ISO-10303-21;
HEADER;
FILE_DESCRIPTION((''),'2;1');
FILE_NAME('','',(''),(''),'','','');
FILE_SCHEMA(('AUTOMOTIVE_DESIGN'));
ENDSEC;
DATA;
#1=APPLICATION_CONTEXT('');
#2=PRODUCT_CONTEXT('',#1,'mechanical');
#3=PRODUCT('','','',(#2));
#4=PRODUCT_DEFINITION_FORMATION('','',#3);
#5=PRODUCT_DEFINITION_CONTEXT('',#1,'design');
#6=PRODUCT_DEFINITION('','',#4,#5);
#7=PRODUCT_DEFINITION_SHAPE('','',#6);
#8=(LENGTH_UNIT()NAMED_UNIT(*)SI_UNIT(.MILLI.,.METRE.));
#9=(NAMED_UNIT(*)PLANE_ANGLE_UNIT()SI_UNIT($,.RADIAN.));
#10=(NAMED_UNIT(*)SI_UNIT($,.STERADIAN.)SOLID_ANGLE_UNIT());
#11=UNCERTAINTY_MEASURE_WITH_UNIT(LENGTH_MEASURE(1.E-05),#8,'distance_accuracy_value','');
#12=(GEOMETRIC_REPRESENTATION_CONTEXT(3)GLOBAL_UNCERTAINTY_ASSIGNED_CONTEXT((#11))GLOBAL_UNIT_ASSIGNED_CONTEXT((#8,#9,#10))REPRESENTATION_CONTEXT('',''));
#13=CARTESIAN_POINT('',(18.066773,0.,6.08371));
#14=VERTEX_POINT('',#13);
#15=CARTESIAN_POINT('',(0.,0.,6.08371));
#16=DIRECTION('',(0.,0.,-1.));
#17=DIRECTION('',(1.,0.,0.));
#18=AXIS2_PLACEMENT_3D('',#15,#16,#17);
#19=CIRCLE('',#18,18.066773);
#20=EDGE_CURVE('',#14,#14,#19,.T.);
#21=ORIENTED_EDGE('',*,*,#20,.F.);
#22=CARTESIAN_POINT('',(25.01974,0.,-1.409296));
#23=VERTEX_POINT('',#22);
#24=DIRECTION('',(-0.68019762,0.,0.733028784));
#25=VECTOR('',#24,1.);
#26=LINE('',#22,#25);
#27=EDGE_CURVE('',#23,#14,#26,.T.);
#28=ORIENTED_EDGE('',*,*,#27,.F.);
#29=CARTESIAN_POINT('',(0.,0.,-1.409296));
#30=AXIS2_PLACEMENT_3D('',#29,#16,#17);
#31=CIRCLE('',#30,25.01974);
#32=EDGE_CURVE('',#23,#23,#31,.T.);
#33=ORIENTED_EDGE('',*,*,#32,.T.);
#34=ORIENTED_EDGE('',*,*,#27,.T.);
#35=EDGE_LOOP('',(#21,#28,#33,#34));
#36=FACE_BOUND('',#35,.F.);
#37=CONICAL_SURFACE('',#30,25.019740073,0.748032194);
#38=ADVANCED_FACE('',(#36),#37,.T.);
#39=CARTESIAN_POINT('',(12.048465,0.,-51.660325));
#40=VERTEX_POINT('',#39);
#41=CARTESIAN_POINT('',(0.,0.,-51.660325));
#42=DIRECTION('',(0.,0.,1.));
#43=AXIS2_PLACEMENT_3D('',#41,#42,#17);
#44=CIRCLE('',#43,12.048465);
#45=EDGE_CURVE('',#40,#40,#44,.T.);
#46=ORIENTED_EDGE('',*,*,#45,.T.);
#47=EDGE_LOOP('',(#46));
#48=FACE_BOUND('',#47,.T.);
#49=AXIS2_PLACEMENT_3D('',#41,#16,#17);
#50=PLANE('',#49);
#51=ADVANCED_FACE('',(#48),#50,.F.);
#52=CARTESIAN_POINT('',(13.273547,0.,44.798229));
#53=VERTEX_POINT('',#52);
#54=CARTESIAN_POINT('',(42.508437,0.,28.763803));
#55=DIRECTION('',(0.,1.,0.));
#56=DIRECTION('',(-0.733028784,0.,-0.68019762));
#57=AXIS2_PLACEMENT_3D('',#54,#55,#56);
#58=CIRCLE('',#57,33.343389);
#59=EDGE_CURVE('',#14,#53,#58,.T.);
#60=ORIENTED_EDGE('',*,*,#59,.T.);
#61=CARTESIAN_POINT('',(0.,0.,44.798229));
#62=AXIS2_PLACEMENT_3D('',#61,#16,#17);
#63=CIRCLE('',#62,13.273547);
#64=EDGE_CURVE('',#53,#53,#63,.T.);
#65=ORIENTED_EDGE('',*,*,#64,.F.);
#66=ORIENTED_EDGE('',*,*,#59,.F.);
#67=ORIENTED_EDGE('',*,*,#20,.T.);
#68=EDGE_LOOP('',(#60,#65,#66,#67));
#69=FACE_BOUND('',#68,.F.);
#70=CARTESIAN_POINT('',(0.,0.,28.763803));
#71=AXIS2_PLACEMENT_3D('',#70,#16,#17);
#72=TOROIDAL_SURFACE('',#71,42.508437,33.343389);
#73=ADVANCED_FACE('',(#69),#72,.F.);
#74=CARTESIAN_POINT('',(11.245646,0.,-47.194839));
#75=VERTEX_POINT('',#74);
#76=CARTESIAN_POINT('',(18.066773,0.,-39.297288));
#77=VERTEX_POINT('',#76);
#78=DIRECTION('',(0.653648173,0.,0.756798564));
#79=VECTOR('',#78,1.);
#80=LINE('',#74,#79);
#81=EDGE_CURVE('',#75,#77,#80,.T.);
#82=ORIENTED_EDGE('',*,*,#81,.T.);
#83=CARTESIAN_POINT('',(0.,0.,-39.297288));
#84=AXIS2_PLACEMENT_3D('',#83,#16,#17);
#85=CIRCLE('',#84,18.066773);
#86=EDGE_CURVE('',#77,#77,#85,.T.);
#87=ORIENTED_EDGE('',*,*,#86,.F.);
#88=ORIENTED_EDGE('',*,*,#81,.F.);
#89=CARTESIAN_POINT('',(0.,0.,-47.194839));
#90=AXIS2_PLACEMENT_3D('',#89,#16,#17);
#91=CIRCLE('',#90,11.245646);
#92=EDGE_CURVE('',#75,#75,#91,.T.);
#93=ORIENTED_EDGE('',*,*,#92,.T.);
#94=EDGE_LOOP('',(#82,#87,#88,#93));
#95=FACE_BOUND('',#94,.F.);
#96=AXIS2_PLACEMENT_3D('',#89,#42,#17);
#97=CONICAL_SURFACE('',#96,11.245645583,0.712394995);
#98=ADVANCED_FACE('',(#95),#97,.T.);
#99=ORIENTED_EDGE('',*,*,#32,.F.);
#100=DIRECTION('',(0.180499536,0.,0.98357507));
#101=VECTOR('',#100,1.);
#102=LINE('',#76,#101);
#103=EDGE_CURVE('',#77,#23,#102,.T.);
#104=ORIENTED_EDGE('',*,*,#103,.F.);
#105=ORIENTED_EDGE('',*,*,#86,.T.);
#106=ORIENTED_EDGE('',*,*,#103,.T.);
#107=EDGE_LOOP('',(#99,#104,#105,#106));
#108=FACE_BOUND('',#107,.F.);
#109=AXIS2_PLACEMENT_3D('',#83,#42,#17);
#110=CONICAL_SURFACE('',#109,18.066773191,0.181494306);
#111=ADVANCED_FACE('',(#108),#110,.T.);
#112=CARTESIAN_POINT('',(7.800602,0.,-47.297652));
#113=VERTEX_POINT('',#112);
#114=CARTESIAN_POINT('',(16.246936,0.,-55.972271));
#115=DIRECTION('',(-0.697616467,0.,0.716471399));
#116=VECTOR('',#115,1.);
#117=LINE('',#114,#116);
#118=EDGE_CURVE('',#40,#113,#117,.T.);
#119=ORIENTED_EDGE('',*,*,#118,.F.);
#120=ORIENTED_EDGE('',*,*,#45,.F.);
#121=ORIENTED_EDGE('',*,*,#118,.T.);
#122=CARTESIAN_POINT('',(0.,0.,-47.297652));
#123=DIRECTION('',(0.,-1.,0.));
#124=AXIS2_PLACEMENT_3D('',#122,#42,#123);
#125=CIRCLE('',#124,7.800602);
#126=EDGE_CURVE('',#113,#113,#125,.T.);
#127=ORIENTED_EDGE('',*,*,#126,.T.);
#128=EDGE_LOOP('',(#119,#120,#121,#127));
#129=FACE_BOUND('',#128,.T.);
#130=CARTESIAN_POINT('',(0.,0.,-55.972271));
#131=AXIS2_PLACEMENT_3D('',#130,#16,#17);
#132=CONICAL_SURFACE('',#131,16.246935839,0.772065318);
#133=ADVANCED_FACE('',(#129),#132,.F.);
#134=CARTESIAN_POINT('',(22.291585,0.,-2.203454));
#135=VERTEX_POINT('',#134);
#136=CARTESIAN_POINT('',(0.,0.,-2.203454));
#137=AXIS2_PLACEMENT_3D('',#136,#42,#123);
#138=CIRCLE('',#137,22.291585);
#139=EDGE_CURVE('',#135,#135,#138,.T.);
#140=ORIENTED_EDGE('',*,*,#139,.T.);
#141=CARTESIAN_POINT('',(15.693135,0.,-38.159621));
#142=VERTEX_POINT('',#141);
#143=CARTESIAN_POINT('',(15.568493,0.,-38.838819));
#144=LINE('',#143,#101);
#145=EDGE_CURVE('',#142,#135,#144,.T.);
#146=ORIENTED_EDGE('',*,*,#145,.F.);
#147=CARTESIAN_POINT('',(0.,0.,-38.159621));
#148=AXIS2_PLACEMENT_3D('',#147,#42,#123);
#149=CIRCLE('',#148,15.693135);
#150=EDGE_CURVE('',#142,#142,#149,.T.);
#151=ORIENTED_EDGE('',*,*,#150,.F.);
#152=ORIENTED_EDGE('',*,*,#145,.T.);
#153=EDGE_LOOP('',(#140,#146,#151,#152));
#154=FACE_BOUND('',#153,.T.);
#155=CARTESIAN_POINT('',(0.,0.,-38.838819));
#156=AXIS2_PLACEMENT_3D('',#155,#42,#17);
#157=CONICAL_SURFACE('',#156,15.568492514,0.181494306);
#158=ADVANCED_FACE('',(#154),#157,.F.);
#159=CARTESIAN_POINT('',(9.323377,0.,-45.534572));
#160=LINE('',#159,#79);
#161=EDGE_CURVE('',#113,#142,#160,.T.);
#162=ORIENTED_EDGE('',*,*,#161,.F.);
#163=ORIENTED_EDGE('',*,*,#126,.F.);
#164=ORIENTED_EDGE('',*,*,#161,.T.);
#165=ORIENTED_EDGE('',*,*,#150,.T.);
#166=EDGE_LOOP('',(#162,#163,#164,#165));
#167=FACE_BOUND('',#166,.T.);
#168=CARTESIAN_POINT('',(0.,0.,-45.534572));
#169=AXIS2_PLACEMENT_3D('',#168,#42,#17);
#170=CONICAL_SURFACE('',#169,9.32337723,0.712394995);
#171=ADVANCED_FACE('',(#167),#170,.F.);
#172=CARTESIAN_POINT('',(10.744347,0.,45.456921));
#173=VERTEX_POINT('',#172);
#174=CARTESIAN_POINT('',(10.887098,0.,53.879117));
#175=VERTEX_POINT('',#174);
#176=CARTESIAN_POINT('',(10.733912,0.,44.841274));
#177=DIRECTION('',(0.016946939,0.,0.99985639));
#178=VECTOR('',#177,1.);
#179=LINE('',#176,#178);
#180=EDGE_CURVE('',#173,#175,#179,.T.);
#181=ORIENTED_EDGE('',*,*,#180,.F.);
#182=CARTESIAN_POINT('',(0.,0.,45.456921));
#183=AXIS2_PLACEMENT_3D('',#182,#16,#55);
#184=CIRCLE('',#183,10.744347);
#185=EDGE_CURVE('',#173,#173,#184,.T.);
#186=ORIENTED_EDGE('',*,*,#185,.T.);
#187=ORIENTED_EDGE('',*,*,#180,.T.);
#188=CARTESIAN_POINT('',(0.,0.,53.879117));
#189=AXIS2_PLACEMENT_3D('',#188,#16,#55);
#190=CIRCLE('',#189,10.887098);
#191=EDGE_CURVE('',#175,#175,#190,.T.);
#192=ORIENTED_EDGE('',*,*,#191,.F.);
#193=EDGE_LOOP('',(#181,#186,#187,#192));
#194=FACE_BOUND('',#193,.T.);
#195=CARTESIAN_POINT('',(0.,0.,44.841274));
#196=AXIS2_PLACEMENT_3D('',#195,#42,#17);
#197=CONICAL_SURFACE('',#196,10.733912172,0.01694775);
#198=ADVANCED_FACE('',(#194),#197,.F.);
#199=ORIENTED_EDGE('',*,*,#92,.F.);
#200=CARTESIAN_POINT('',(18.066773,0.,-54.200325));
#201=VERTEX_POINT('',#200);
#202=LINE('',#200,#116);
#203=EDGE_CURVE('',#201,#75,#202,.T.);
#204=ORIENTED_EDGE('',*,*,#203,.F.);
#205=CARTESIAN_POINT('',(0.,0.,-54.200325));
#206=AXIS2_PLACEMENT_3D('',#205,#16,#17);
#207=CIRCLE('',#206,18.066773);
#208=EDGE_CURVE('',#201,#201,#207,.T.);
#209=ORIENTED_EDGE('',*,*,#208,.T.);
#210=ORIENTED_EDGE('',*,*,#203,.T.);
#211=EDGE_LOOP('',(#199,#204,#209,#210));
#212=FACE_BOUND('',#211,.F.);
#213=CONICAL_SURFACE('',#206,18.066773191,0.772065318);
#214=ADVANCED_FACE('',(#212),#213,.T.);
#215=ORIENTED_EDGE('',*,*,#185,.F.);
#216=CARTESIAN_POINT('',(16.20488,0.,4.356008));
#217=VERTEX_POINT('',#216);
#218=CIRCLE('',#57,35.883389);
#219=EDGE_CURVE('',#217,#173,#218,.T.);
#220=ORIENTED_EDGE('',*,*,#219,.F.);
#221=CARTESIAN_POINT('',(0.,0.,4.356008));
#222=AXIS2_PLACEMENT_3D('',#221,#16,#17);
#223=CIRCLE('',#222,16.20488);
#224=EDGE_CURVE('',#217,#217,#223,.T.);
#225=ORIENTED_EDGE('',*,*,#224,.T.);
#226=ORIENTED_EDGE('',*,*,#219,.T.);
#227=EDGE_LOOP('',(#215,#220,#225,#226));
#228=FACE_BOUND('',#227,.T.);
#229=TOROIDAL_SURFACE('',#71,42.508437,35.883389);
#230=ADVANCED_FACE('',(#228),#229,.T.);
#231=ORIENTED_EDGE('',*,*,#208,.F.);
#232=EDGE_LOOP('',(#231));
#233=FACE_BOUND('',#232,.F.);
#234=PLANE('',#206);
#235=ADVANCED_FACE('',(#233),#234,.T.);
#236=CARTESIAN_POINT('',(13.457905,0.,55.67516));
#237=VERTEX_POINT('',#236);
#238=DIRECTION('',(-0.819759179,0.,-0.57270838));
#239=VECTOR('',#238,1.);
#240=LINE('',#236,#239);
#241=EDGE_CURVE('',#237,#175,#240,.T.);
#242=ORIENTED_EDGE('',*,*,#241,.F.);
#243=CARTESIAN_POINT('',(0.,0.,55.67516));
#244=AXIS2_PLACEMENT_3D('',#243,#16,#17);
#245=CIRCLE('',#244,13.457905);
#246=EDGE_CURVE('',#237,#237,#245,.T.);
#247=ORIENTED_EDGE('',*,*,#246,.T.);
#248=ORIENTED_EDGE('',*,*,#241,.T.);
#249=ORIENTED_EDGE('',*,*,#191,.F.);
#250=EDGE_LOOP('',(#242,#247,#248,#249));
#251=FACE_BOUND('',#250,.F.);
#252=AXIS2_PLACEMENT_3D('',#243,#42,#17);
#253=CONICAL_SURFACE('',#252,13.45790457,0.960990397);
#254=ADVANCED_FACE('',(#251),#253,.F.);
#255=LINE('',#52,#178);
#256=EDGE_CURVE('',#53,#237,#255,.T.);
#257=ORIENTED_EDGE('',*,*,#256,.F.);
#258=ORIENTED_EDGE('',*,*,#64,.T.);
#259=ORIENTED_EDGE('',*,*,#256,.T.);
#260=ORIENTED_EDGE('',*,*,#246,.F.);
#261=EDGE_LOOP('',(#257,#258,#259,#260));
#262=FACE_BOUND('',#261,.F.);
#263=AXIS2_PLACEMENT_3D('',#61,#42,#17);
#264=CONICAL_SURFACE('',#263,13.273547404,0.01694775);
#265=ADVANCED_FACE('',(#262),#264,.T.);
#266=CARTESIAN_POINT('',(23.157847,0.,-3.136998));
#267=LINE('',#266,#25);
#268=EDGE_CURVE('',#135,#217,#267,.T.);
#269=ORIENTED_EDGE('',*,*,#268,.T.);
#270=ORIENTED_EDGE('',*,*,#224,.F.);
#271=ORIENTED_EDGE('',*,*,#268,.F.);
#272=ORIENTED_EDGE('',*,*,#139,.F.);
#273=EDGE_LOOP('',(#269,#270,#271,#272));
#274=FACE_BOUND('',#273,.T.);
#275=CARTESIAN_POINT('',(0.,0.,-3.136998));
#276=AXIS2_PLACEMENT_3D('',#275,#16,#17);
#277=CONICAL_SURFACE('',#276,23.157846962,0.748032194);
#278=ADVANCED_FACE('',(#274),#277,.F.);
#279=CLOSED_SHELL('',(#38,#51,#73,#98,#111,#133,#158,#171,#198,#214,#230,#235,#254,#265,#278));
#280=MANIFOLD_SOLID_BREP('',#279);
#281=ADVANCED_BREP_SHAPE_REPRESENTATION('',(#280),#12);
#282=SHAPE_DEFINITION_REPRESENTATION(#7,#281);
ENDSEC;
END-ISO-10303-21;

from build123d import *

# Parameters (mm, degrees)
F2_T = -2.54


with BuildPart() as f1:
    # F0 (on Front) → F1 (revolve)
    with BuildSketch(Plane.XZ):
        with BuildLine():
            Line((13.4579045698, 55.6751601398), (0, 46.2730638683))
            Line((0, 46.2730638683), (0, -54.2003251612))
            Line((0, -54.2003251612), (18.0667731911, -54.2003251612))
            Line((18.0667731911, -54.2003251612), (11.2456455827, -47.1948385239))
            Line((11.2456455827, -47.1948385239), (18.0667731911, -39.297287833))
            Line((18.0667731911, -39.297287833), (25.0197400727, -1.409296363))
            Line((25.0197400727, -1.409296363), (18.0667731911, 6.0837096535))
            ThreePointArc((18.0667731911, 6.0837096535), (9.4177041761, 24.6668557218), (13.2735474035, 44.7982288897))
            Line((13.2735474035, 44.7982288897), (13.4579045698, 55.6751601398))
        make_face()
    revolve(axis=Axis((0, 0, -3.9636306465), (0, 0, -1)))

    # F2
    f2_openings = [f1.faces().sort_by_distance(p)[0] for p in [
        (-6.728952, 0, 50.974112),
    ]]
    offset(amount=F2_T, openings=f2_openings, kind=Kind.INTERSECTION)


solid = f1.part
